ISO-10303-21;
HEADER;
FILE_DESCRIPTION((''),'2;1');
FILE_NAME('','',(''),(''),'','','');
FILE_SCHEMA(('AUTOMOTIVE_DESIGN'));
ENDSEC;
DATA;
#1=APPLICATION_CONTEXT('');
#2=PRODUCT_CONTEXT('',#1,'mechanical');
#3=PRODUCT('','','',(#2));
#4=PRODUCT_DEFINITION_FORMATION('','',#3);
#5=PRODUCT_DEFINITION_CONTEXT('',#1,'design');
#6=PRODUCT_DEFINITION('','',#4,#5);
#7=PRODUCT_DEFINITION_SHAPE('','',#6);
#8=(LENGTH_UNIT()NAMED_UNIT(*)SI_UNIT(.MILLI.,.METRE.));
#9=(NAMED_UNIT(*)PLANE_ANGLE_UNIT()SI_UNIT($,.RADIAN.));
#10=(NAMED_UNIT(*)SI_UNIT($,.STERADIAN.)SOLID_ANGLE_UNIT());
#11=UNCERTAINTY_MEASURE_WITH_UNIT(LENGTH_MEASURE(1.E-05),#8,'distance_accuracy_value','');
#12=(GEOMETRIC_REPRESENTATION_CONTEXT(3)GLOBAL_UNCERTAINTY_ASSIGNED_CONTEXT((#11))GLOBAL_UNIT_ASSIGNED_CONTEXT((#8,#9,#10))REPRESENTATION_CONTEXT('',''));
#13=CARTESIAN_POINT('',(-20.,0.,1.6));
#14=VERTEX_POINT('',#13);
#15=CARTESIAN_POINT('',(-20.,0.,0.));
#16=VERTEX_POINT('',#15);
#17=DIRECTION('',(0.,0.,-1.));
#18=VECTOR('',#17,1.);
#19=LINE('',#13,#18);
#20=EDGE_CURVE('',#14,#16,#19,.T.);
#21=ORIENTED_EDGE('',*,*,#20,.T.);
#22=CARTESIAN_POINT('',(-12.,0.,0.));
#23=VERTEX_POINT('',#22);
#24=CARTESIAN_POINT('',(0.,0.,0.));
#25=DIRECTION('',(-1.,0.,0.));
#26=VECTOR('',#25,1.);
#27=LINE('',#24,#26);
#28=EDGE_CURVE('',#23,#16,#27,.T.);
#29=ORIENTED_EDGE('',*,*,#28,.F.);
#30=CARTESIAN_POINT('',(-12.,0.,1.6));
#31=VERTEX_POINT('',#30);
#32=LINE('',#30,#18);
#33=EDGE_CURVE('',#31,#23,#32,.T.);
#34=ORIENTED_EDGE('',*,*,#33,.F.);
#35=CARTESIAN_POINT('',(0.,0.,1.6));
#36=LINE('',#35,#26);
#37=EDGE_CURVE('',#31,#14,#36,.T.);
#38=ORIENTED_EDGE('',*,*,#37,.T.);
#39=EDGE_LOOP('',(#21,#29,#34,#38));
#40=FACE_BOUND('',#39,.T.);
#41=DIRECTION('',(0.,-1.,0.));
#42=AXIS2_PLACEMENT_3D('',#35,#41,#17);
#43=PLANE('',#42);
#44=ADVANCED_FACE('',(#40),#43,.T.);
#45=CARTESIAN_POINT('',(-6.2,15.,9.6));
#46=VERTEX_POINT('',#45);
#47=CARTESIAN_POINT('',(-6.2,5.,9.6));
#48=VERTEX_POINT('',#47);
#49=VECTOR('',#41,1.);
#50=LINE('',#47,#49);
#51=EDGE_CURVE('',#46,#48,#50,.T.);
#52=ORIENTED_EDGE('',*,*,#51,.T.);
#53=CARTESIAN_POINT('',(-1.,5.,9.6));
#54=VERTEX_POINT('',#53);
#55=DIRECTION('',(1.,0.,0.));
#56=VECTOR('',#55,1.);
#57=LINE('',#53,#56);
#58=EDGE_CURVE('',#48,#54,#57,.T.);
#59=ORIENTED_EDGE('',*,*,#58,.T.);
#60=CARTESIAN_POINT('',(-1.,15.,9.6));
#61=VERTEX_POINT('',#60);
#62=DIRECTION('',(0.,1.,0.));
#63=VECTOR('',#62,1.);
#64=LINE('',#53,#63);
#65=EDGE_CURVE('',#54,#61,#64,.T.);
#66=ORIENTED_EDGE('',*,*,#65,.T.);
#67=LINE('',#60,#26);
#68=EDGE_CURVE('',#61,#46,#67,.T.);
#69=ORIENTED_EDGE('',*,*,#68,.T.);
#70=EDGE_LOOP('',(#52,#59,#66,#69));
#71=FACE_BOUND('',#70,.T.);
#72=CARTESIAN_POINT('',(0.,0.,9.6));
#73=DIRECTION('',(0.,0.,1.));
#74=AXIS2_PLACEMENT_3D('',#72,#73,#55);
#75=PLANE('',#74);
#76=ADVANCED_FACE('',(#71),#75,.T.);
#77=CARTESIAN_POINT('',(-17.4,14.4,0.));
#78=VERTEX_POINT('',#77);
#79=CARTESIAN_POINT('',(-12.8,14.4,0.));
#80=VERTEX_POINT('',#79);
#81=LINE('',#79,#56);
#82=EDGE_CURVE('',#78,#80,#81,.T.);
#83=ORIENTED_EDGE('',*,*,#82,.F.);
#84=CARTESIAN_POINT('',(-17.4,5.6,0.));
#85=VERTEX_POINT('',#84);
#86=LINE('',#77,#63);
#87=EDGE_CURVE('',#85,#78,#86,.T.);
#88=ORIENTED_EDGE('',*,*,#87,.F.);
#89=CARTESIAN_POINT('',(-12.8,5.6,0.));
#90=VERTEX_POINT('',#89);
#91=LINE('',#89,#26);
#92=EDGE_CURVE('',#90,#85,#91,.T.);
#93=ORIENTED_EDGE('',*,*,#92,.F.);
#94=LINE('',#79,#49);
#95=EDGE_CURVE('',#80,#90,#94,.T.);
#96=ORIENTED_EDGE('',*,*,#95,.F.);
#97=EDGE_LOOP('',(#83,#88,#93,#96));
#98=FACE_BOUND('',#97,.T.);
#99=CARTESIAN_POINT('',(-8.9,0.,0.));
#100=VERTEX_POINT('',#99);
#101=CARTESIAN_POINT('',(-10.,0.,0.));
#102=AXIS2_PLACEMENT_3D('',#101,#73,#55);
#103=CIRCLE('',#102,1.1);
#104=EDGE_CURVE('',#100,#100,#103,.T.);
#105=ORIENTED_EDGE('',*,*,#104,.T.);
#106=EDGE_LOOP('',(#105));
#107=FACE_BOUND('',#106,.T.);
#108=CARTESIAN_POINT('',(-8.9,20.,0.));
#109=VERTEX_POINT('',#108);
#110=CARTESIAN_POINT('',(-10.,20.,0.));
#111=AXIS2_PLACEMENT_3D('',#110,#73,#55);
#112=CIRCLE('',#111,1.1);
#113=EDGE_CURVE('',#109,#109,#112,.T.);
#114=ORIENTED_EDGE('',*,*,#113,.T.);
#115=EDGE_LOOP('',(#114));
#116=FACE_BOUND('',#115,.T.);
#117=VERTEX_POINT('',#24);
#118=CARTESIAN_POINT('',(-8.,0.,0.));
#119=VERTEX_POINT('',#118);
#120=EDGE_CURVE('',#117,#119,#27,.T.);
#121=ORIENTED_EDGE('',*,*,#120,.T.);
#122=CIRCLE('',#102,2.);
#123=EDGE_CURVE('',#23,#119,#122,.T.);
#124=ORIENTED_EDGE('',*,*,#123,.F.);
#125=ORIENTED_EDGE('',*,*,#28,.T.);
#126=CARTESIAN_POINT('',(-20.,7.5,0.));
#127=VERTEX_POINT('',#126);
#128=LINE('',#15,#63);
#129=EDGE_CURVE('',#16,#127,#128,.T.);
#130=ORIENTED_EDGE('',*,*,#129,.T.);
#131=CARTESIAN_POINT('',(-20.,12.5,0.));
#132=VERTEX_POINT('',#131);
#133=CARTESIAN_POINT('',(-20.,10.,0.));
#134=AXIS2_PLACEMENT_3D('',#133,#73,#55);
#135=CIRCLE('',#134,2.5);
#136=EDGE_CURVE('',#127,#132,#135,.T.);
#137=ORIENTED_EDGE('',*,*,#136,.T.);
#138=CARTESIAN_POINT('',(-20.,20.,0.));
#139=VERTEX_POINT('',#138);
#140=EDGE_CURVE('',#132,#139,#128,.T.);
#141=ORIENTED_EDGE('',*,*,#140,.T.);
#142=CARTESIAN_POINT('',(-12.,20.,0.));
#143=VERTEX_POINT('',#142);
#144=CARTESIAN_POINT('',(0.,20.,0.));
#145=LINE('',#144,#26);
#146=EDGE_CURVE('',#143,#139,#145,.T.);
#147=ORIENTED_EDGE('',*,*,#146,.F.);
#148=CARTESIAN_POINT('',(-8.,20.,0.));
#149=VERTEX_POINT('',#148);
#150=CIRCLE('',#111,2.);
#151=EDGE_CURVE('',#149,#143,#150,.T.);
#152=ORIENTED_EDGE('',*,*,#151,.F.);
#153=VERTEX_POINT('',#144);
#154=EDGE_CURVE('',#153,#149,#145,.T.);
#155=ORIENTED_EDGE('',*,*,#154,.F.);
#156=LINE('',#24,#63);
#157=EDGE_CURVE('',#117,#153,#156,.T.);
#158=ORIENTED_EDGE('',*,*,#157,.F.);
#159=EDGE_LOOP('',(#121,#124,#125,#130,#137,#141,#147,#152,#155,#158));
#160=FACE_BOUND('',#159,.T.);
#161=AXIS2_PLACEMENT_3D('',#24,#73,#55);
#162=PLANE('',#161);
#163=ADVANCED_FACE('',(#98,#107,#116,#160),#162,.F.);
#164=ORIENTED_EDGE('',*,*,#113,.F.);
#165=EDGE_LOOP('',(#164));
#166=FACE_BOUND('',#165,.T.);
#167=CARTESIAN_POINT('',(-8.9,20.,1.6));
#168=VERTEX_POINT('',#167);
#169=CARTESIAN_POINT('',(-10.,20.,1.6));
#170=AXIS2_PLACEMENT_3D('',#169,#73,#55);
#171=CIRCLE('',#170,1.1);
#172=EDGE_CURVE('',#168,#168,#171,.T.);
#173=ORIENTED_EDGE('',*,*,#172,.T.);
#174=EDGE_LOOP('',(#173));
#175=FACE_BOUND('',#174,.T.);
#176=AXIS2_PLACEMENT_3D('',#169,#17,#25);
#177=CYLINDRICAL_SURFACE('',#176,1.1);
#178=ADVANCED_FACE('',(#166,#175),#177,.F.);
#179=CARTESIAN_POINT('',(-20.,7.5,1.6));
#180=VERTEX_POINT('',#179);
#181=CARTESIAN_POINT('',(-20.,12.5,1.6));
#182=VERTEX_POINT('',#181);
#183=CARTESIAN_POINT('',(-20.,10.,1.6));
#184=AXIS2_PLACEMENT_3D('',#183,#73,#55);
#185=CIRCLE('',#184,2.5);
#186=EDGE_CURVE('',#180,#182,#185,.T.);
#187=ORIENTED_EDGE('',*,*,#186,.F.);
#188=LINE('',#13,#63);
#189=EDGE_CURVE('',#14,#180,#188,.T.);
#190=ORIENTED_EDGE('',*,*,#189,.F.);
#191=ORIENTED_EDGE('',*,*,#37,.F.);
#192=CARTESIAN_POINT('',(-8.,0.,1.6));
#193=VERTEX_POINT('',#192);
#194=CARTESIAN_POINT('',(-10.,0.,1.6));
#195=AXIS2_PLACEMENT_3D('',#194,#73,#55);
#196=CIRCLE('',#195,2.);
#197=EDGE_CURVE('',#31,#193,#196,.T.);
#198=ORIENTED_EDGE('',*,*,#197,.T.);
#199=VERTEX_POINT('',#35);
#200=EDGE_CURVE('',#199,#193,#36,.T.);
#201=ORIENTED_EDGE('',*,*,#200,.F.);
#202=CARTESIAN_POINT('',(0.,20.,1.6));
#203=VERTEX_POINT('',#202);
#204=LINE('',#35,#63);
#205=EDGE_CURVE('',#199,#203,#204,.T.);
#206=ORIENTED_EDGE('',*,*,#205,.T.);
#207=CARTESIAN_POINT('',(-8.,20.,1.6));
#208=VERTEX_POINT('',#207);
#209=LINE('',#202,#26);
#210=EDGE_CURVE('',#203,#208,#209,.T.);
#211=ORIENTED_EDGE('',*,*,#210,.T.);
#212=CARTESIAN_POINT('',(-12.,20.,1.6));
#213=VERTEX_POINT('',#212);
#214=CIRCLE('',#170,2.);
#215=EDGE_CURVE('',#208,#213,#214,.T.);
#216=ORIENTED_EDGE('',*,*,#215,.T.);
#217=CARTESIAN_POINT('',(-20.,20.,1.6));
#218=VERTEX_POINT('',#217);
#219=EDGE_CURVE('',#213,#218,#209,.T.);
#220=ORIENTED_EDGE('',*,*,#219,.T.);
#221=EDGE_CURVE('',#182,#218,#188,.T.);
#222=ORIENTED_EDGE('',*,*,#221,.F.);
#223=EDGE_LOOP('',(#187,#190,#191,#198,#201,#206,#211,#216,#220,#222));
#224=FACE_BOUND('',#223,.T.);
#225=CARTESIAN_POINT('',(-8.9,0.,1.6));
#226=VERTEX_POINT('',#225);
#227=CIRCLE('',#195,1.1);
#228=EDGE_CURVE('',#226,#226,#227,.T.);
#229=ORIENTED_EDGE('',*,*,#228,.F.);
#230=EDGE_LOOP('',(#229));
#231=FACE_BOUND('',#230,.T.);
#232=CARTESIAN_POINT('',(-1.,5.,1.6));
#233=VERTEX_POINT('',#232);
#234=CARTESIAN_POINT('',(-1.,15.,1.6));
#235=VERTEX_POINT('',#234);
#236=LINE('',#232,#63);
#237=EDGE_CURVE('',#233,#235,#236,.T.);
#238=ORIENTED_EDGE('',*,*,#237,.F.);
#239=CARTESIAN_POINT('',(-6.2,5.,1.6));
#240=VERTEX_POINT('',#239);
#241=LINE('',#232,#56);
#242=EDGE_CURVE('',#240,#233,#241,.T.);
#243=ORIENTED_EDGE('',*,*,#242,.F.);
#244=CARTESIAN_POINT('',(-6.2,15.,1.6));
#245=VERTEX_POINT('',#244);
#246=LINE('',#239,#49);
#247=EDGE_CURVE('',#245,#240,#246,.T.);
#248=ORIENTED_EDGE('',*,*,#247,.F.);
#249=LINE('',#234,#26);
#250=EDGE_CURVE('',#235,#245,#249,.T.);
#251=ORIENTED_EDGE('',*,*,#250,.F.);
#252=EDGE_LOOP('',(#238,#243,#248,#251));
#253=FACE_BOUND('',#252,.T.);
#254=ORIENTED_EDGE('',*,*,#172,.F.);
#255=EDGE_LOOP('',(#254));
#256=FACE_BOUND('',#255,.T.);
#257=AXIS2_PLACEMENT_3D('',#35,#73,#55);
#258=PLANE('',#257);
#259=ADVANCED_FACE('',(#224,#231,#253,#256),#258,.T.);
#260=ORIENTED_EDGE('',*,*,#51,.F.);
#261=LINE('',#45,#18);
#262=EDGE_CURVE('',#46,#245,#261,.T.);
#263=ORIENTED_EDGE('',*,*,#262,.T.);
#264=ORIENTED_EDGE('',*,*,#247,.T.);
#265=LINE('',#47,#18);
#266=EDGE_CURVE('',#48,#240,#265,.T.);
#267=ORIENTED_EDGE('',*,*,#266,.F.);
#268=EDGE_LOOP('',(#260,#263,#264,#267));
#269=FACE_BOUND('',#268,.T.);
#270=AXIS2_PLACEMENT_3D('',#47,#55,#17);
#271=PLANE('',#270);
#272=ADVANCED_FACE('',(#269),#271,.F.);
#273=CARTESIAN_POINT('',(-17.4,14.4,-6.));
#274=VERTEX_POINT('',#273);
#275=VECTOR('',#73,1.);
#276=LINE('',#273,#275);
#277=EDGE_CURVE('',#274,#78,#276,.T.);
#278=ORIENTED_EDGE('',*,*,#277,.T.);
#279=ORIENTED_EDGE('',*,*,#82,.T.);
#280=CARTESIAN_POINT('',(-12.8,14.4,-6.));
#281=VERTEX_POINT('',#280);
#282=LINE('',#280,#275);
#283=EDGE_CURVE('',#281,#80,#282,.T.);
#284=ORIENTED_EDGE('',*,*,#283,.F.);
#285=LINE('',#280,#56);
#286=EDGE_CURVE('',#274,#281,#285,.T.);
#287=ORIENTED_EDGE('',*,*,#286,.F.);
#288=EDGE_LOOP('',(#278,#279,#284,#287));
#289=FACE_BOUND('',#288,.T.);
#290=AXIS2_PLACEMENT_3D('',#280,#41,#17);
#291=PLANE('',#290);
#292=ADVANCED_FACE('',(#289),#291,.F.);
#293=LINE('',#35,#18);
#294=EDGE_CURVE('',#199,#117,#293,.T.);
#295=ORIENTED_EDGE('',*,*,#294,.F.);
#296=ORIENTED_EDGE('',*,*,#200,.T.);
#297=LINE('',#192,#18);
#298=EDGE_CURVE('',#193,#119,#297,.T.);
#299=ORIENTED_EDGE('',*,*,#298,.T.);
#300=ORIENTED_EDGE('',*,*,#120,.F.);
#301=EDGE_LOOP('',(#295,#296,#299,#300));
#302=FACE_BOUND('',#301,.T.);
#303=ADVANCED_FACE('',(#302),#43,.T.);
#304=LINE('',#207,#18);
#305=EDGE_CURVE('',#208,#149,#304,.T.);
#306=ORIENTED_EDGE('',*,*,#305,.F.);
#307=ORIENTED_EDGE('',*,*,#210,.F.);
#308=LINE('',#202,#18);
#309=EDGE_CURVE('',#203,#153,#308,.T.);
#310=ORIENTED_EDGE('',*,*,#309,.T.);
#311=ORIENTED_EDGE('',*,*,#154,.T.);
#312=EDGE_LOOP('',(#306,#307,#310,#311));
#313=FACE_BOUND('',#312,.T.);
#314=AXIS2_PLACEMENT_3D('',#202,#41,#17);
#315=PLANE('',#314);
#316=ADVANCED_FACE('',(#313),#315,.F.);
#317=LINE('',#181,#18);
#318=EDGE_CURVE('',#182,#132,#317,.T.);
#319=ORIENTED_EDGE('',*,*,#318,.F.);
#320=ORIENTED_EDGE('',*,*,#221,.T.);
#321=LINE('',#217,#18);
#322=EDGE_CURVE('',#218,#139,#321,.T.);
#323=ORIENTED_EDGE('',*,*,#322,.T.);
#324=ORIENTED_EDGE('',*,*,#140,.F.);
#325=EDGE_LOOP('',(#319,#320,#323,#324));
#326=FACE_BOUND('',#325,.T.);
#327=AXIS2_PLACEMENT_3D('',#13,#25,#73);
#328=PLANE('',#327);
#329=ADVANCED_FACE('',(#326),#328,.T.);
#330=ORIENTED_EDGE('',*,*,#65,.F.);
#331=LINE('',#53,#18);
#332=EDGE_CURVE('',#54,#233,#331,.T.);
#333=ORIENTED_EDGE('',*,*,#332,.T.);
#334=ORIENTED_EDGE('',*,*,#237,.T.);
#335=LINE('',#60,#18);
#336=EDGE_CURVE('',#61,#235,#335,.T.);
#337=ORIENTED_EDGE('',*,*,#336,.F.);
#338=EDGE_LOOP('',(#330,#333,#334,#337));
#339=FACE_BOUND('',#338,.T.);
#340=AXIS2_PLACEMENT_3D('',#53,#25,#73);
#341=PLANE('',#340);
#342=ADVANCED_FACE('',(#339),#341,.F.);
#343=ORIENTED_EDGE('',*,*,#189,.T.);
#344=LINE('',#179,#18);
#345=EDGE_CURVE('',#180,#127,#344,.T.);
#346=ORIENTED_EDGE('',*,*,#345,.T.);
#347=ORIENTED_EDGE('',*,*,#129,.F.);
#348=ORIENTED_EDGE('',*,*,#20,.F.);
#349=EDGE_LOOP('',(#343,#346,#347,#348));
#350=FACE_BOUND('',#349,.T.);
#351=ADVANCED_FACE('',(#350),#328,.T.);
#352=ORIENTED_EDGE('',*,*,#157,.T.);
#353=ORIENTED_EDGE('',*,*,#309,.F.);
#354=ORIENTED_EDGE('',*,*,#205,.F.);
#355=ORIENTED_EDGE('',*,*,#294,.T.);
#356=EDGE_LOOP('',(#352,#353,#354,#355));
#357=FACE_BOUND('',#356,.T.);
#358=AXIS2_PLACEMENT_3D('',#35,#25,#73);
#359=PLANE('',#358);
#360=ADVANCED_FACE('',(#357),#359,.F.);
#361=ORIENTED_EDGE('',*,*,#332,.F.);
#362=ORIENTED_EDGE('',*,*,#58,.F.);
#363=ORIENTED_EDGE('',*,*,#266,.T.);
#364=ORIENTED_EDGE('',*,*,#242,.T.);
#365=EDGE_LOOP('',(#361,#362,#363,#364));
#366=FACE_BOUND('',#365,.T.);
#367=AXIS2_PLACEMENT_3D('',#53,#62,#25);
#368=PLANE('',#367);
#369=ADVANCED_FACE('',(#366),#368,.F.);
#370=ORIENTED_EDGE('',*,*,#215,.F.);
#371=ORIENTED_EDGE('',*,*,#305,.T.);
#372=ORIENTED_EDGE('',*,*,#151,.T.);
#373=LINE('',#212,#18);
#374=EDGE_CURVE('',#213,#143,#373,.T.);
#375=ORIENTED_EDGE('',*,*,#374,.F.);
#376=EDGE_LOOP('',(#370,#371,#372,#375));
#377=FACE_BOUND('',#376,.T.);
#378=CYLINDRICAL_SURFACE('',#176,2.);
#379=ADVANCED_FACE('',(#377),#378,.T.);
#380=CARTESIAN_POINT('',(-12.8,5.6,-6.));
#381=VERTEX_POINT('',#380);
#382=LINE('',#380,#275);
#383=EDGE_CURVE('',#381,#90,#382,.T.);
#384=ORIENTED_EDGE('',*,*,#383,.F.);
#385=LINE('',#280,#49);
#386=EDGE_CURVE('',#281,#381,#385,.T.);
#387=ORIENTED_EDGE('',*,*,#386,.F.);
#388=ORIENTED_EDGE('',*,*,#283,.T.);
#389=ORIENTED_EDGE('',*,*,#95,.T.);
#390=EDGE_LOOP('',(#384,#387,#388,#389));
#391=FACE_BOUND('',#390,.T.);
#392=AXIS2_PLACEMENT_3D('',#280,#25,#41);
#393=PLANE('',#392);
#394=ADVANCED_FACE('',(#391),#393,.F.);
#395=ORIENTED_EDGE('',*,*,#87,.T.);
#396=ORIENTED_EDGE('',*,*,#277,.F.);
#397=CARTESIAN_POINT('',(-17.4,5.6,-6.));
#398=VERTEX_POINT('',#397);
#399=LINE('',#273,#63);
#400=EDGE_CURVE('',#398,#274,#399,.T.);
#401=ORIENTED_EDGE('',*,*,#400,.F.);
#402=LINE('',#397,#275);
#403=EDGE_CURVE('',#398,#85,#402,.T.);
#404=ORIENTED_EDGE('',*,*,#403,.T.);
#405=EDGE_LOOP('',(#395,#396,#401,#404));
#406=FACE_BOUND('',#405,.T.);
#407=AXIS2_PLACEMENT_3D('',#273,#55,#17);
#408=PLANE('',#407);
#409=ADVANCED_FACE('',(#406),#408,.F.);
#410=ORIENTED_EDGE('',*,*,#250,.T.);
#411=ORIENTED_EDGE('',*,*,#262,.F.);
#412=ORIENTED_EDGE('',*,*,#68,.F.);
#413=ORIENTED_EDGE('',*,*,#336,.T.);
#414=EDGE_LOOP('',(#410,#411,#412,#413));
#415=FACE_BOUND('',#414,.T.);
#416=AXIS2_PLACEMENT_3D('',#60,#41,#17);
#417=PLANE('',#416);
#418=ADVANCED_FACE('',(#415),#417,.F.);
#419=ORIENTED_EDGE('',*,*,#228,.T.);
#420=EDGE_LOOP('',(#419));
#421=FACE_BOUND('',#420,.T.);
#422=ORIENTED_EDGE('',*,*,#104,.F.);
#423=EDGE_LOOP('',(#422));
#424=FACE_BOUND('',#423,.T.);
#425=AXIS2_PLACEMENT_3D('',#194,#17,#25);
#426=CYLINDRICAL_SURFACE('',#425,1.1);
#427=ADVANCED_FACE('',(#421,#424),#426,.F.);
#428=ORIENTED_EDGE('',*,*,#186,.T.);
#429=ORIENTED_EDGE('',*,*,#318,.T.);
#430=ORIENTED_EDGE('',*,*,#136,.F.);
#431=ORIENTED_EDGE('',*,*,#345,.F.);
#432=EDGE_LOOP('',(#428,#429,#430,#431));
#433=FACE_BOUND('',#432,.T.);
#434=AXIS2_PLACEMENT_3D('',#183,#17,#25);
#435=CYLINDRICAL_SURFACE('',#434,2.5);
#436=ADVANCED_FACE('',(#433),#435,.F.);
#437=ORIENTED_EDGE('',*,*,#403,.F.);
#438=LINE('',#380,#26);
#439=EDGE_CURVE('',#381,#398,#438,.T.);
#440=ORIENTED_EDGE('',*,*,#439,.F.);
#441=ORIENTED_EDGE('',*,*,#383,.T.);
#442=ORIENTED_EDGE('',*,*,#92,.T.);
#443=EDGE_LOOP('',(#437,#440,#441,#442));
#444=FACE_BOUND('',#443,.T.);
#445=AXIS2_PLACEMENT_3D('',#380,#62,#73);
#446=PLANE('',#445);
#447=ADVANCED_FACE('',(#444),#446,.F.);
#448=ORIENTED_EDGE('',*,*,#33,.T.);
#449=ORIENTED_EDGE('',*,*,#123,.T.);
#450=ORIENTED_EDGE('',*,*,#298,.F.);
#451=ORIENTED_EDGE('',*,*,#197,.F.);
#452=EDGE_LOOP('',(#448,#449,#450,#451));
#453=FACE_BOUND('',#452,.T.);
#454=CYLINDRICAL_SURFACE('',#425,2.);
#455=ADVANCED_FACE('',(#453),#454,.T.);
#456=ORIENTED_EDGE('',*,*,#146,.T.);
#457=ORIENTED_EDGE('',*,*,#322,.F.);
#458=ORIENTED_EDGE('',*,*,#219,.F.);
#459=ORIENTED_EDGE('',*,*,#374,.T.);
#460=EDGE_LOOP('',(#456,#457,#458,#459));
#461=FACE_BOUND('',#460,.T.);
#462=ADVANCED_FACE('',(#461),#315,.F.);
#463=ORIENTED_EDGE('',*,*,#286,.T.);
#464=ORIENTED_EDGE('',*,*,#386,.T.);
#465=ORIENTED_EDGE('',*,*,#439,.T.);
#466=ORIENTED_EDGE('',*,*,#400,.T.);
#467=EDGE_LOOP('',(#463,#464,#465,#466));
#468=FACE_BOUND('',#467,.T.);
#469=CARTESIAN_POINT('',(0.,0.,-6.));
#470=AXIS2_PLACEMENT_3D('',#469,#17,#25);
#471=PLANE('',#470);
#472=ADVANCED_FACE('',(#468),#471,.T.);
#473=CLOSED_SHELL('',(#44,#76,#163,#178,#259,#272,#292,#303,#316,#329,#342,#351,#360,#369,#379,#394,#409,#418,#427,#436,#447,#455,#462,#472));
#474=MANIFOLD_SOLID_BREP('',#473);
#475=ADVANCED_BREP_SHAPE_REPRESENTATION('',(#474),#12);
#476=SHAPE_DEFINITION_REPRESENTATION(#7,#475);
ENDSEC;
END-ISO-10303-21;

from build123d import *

# Parameters (mm, degrees)
SKETCH_1_R      = 1.1
EXTRUDE_1_DEPTH = 1.6
SKETCH_2_W      = 4.6
SKETCH_2_H      = 8.8
EXTRUDE_2_DEPTH = 6
SKETCH_3_W      = 5.2
SKETCH_3_H      = 10
EXTRUDE_3_DEPTH = 8


with BuildPart() as part:
    # ｽｹｯﾁ1 → ﾎﾞｽ - 押し出し1 (new body)
    with BuildSketch(Plane(origin=(0, 0, 0), x_dir=(0, 1, 0), z_dir=(0, 0, 1))):
        with BuildLine():
            Line((0, 8), (0, 0))
            Line((0, 0), (20, 0))
            Line((20, 0), (20, 8))
            ThreePointArc((20, 8), (22, 10), (20, 12))
            Line((20, 12), (20, 20))
            Line((20, 20), (12.5, 20))
            ThreePointArc((12.5, 20), (10, 17.5), (7.5, 20))
            Line((7.5, 20), (0, 20))
            Line((0, 20), (0, 12))
            ThreePointArc((0, 12), (-2, 10), (0, 8))
        make_face()
        with Locations((20, 10)):
            Circle(SKETCH_1_R, mode=Mode.SUBTRACT)
        with Locations((0, 10)):
            Circle(SKETCH_1_R, mode=Mode.SUBTRACT)
    extrude(amount=EXTRUDE_1_DEPTH)

    # ｽｹｯﾁ2 → ﾎﾞｽ - 押し出し2 (add)
    with BuildSketch(Plane(origin=(0, 0, 0), x_dir=(1, 0, 0), z_dir=(0, 0, -1))):
        with Locations((-15.1, -10)):
            Rectangle(SKETCH_2_W, SKETCH_2_H)
    extrude(amount=EXTRUDE_2_DEPTH)

    # ｽｹｯﾁ3 → ﾎﾞｽ - 押し出し3 (add)
    with BuildSketch(Plane.XY.offset(1.6)):
        with Locations((-3.6, 10)):
            Rectangle(SKETCH_3_W, SKETCH_3_H)
    extrude(amount=EXTRUDE_3_DEPTH)


solid = part.part
